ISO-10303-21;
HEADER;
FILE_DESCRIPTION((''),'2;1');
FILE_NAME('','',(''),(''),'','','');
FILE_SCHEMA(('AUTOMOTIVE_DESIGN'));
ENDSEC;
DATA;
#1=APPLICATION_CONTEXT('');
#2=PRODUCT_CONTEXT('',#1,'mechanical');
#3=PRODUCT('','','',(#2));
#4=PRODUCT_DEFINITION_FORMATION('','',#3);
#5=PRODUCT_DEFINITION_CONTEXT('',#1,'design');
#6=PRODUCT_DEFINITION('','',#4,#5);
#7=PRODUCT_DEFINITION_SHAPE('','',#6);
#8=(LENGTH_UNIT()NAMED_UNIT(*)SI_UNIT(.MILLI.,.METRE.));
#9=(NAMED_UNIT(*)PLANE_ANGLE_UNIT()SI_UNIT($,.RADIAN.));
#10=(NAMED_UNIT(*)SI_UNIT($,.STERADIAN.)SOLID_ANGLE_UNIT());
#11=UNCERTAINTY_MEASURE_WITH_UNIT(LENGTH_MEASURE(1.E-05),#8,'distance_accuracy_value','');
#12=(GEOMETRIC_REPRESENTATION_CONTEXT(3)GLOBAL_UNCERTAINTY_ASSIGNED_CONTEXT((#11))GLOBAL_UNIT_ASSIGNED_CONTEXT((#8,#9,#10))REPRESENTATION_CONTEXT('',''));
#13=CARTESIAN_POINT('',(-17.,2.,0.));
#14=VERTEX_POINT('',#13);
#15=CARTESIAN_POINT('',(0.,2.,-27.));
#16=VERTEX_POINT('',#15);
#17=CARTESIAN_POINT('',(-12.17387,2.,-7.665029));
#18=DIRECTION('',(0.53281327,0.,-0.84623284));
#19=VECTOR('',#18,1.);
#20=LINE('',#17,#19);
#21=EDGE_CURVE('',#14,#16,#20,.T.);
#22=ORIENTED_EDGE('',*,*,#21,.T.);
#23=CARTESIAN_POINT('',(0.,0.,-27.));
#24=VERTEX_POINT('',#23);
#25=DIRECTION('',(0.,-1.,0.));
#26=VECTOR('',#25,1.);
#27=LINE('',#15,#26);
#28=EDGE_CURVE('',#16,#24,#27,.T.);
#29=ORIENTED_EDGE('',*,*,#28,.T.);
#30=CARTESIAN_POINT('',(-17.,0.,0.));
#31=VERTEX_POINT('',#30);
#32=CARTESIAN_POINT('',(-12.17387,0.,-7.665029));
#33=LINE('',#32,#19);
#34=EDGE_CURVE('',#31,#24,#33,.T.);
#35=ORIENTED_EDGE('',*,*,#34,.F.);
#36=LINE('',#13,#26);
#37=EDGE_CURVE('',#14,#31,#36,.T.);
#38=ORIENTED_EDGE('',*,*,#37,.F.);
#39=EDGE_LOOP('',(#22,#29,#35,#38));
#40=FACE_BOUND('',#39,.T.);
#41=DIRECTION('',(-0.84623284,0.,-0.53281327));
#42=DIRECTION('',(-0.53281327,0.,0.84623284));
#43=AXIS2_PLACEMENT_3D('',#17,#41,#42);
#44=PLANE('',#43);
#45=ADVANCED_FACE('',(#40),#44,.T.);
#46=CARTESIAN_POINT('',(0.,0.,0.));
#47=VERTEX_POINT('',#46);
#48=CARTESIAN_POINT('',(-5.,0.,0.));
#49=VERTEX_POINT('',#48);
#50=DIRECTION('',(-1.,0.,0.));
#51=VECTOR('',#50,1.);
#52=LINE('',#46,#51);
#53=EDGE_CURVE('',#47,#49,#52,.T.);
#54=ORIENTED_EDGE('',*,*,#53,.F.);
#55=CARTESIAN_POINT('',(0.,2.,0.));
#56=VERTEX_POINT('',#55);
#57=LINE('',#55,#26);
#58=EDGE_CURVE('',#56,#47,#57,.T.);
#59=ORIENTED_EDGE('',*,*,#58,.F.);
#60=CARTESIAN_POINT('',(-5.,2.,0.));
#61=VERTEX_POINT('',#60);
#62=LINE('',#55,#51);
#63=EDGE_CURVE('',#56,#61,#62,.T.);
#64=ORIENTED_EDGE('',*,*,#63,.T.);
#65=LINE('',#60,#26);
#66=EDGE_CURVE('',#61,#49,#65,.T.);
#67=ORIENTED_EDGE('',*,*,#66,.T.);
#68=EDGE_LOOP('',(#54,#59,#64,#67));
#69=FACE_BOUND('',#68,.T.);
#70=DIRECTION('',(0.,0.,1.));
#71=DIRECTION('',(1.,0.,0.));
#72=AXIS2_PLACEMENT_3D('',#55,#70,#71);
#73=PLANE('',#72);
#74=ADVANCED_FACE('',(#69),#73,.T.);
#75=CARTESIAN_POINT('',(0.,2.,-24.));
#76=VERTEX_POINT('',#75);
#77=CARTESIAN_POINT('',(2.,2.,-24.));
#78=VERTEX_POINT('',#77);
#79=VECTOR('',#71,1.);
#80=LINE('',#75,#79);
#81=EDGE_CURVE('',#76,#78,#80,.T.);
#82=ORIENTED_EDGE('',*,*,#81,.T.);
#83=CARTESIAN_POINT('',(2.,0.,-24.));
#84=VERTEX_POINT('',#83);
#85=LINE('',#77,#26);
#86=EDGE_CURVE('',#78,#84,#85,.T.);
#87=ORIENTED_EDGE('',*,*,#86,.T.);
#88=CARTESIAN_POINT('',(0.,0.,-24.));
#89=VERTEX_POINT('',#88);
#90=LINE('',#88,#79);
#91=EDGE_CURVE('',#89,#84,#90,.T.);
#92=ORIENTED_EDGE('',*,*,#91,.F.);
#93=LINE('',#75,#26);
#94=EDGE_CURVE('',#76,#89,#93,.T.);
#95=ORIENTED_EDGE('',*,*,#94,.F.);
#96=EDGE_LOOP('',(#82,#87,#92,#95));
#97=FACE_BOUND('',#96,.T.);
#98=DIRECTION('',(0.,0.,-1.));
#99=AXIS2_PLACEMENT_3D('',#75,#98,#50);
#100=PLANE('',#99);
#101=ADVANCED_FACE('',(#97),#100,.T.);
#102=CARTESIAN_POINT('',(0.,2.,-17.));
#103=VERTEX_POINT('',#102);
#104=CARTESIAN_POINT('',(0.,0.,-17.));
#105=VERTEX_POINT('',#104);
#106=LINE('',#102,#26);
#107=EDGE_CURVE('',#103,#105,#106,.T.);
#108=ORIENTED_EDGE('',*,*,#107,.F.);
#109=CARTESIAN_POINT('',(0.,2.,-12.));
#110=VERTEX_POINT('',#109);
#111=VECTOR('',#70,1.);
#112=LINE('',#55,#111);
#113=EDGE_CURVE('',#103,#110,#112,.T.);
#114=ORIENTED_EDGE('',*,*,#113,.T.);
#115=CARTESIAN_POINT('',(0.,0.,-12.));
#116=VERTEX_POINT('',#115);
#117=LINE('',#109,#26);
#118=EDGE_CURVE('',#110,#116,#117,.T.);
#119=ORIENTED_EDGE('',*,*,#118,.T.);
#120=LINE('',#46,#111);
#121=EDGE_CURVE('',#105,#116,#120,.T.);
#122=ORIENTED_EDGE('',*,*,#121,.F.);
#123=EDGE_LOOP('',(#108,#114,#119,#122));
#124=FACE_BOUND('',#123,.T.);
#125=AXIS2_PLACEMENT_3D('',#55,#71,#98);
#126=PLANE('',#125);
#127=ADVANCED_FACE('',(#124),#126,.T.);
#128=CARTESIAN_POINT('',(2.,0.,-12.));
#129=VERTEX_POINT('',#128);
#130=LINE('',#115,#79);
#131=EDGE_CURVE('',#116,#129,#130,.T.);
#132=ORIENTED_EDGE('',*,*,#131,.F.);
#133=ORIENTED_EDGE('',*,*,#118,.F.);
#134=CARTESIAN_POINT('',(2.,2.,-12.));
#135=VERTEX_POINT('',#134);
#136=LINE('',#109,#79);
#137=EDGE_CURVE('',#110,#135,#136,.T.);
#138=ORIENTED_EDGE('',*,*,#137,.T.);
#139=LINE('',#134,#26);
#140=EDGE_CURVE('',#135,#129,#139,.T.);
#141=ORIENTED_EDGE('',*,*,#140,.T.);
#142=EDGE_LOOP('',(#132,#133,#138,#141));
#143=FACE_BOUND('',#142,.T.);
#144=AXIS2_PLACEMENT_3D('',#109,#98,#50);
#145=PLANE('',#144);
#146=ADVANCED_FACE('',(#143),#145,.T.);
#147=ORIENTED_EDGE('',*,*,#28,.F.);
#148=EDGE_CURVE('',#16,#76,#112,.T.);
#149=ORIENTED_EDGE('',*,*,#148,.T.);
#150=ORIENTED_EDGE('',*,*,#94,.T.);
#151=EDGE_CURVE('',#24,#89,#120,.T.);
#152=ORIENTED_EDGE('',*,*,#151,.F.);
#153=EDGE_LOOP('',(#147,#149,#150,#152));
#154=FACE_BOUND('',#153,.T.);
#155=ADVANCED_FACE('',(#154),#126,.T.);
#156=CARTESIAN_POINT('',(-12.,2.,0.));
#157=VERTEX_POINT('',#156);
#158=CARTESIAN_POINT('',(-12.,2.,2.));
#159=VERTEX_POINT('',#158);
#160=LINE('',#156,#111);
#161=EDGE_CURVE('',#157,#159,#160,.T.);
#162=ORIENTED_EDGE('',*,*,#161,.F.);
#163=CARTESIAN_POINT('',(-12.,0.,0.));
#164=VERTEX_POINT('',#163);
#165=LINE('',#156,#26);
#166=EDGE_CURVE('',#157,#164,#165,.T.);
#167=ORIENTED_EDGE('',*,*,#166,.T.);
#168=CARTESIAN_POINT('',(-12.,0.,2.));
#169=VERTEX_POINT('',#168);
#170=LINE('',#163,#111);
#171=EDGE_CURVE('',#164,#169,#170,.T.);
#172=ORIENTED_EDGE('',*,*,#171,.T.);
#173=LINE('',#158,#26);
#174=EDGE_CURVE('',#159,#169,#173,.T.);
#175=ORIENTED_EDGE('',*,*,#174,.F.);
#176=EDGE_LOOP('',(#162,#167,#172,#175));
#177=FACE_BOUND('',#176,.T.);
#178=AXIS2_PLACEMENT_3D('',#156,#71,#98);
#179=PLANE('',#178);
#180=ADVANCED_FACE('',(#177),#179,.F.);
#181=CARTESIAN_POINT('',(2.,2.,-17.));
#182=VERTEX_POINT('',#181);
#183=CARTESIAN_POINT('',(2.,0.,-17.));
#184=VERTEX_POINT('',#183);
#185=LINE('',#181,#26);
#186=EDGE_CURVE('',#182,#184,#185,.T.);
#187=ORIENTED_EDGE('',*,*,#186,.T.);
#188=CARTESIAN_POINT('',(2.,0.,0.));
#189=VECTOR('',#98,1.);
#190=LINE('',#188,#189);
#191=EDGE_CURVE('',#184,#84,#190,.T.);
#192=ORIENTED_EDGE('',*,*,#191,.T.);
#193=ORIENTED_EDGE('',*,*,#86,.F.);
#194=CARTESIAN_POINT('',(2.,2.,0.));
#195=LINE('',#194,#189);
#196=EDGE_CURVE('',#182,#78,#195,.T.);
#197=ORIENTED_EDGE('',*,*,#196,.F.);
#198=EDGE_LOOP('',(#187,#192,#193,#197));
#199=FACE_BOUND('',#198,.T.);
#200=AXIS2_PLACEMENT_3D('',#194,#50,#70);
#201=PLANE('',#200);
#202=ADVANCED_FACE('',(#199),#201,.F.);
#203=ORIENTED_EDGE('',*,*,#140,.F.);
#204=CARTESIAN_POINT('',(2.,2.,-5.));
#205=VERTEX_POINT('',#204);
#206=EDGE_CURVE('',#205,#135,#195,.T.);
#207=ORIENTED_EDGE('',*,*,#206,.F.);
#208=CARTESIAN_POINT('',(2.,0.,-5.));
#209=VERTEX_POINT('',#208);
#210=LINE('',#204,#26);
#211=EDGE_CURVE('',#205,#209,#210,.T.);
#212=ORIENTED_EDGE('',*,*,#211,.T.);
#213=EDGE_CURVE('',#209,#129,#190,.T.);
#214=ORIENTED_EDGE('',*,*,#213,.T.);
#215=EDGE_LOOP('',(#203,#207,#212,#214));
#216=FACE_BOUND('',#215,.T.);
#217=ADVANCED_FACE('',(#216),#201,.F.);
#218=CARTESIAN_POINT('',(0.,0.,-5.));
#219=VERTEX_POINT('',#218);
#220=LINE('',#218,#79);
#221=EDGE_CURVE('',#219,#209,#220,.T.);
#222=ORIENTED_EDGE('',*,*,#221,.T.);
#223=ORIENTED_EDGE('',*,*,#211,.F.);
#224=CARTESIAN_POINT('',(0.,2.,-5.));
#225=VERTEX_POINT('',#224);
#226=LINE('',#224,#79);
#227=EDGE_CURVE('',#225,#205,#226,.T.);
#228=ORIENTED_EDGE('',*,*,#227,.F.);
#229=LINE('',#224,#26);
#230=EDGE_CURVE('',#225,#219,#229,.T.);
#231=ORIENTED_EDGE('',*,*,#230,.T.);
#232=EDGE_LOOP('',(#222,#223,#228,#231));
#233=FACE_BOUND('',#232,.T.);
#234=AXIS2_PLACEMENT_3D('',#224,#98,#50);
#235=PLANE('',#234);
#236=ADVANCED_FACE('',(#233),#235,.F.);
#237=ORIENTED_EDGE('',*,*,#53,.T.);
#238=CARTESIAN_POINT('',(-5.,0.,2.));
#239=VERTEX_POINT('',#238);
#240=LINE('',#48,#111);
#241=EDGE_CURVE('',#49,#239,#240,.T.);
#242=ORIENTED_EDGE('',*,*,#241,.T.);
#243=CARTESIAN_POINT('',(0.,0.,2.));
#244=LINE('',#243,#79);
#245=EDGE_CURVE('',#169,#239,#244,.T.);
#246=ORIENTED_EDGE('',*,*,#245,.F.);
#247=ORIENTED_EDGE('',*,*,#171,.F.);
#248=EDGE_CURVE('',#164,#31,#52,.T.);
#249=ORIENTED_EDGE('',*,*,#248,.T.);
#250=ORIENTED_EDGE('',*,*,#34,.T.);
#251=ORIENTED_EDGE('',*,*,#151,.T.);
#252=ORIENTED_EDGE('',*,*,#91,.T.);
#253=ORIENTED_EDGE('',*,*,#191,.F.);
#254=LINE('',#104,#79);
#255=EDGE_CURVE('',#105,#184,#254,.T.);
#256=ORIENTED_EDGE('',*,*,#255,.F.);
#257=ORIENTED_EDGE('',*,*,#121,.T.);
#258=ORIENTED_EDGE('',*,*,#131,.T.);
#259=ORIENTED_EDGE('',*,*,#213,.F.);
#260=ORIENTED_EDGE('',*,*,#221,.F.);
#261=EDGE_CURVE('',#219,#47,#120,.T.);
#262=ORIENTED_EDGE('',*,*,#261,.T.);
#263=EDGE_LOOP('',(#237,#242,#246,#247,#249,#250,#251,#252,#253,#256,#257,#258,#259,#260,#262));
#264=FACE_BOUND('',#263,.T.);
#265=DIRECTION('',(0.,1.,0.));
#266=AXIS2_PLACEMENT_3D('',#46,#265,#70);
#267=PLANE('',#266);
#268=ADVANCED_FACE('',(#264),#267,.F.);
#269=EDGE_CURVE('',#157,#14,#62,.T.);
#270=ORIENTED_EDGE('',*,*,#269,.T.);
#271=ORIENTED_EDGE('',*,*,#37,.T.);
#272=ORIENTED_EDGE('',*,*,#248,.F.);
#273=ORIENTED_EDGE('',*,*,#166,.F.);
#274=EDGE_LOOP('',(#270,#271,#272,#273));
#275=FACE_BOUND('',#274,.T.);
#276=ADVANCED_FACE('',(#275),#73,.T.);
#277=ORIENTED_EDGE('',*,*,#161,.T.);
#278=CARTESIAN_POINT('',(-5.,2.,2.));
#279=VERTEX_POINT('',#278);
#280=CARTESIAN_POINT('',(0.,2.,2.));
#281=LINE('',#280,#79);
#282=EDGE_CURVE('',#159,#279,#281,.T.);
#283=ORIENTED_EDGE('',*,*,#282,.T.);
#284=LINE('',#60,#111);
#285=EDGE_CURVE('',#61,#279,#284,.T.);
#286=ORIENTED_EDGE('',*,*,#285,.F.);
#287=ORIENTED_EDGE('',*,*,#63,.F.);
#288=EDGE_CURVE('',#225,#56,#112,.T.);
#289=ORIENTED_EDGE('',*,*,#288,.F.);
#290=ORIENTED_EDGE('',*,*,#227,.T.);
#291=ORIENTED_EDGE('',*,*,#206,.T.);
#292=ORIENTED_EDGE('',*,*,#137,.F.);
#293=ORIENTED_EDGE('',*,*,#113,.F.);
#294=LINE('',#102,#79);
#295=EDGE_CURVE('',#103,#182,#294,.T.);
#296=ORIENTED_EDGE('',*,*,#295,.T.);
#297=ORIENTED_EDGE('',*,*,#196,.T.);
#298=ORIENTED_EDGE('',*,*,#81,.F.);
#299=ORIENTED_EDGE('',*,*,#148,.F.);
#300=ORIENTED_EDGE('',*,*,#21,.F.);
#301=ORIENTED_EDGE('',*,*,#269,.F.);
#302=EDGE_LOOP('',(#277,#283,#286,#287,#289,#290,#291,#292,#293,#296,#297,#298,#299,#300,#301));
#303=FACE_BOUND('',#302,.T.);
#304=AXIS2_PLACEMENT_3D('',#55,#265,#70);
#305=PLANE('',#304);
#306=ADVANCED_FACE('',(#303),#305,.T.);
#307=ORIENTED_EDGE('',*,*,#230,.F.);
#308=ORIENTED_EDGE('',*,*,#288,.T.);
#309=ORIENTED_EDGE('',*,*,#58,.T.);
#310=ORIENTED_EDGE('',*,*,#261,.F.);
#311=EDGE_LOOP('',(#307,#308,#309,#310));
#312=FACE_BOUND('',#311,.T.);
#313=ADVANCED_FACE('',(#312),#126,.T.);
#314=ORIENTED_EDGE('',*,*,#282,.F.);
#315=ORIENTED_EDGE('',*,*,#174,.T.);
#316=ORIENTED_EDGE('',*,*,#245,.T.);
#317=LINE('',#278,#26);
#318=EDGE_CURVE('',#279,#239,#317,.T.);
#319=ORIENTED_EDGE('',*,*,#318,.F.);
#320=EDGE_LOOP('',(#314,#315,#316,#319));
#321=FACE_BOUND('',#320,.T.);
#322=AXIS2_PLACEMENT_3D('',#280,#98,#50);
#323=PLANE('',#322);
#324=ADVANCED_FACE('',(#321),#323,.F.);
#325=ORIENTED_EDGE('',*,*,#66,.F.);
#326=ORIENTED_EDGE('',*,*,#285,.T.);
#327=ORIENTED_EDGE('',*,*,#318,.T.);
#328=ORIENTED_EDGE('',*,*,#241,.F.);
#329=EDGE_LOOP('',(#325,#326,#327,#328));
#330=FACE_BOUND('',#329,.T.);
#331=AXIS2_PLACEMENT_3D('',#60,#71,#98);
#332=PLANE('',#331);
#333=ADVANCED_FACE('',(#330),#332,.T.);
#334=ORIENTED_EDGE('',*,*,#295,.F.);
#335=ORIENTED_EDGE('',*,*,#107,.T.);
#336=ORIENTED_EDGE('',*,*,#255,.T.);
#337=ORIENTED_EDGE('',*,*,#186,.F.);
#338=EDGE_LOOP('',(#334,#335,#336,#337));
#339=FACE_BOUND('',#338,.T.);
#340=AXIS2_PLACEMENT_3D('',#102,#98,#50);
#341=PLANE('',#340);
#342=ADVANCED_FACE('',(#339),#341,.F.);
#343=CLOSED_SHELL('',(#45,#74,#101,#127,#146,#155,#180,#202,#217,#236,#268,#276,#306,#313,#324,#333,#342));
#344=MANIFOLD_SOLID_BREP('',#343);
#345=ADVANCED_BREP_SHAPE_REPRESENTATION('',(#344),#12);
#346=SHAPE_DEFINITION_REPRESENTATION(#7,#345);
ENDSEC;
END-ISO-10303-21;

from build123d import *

# Parameters (mm, degrees)
SKETCH1_W           = 7
SKETCH1_H           = 2
SKETCH1_W_2         = 2
SKETCH1_H_2         = 7
BOSS_EXTRUDE1_DEPTH = 2


with BuildPart() as part:
    # Sketch1 → Boss-Extrude1 (new body)
    with BuildSketch(Plane(origin=(0, 0, 0), x_dir=(1, 0, 0), z_dir=(0, 1, 0))):
        Polygon((0, 27), (0, 0), (-17, 0), align=None)
        with Locations((-8.5, -1)):
            Rectangle(SKETCH1_W, SKETCH1_H)
        with Locations((1, 8.5)):
            Rectangle(SKETCH1_W_2, SKETCH1_H_2)
        with Locations((1, 20.5)):
            Rectangle(SKETCH1_W_2, SKETCH1_H_2)
    extrude(amount=BOSS_EXTRUDE1_DEPTH)


solid = part.part
